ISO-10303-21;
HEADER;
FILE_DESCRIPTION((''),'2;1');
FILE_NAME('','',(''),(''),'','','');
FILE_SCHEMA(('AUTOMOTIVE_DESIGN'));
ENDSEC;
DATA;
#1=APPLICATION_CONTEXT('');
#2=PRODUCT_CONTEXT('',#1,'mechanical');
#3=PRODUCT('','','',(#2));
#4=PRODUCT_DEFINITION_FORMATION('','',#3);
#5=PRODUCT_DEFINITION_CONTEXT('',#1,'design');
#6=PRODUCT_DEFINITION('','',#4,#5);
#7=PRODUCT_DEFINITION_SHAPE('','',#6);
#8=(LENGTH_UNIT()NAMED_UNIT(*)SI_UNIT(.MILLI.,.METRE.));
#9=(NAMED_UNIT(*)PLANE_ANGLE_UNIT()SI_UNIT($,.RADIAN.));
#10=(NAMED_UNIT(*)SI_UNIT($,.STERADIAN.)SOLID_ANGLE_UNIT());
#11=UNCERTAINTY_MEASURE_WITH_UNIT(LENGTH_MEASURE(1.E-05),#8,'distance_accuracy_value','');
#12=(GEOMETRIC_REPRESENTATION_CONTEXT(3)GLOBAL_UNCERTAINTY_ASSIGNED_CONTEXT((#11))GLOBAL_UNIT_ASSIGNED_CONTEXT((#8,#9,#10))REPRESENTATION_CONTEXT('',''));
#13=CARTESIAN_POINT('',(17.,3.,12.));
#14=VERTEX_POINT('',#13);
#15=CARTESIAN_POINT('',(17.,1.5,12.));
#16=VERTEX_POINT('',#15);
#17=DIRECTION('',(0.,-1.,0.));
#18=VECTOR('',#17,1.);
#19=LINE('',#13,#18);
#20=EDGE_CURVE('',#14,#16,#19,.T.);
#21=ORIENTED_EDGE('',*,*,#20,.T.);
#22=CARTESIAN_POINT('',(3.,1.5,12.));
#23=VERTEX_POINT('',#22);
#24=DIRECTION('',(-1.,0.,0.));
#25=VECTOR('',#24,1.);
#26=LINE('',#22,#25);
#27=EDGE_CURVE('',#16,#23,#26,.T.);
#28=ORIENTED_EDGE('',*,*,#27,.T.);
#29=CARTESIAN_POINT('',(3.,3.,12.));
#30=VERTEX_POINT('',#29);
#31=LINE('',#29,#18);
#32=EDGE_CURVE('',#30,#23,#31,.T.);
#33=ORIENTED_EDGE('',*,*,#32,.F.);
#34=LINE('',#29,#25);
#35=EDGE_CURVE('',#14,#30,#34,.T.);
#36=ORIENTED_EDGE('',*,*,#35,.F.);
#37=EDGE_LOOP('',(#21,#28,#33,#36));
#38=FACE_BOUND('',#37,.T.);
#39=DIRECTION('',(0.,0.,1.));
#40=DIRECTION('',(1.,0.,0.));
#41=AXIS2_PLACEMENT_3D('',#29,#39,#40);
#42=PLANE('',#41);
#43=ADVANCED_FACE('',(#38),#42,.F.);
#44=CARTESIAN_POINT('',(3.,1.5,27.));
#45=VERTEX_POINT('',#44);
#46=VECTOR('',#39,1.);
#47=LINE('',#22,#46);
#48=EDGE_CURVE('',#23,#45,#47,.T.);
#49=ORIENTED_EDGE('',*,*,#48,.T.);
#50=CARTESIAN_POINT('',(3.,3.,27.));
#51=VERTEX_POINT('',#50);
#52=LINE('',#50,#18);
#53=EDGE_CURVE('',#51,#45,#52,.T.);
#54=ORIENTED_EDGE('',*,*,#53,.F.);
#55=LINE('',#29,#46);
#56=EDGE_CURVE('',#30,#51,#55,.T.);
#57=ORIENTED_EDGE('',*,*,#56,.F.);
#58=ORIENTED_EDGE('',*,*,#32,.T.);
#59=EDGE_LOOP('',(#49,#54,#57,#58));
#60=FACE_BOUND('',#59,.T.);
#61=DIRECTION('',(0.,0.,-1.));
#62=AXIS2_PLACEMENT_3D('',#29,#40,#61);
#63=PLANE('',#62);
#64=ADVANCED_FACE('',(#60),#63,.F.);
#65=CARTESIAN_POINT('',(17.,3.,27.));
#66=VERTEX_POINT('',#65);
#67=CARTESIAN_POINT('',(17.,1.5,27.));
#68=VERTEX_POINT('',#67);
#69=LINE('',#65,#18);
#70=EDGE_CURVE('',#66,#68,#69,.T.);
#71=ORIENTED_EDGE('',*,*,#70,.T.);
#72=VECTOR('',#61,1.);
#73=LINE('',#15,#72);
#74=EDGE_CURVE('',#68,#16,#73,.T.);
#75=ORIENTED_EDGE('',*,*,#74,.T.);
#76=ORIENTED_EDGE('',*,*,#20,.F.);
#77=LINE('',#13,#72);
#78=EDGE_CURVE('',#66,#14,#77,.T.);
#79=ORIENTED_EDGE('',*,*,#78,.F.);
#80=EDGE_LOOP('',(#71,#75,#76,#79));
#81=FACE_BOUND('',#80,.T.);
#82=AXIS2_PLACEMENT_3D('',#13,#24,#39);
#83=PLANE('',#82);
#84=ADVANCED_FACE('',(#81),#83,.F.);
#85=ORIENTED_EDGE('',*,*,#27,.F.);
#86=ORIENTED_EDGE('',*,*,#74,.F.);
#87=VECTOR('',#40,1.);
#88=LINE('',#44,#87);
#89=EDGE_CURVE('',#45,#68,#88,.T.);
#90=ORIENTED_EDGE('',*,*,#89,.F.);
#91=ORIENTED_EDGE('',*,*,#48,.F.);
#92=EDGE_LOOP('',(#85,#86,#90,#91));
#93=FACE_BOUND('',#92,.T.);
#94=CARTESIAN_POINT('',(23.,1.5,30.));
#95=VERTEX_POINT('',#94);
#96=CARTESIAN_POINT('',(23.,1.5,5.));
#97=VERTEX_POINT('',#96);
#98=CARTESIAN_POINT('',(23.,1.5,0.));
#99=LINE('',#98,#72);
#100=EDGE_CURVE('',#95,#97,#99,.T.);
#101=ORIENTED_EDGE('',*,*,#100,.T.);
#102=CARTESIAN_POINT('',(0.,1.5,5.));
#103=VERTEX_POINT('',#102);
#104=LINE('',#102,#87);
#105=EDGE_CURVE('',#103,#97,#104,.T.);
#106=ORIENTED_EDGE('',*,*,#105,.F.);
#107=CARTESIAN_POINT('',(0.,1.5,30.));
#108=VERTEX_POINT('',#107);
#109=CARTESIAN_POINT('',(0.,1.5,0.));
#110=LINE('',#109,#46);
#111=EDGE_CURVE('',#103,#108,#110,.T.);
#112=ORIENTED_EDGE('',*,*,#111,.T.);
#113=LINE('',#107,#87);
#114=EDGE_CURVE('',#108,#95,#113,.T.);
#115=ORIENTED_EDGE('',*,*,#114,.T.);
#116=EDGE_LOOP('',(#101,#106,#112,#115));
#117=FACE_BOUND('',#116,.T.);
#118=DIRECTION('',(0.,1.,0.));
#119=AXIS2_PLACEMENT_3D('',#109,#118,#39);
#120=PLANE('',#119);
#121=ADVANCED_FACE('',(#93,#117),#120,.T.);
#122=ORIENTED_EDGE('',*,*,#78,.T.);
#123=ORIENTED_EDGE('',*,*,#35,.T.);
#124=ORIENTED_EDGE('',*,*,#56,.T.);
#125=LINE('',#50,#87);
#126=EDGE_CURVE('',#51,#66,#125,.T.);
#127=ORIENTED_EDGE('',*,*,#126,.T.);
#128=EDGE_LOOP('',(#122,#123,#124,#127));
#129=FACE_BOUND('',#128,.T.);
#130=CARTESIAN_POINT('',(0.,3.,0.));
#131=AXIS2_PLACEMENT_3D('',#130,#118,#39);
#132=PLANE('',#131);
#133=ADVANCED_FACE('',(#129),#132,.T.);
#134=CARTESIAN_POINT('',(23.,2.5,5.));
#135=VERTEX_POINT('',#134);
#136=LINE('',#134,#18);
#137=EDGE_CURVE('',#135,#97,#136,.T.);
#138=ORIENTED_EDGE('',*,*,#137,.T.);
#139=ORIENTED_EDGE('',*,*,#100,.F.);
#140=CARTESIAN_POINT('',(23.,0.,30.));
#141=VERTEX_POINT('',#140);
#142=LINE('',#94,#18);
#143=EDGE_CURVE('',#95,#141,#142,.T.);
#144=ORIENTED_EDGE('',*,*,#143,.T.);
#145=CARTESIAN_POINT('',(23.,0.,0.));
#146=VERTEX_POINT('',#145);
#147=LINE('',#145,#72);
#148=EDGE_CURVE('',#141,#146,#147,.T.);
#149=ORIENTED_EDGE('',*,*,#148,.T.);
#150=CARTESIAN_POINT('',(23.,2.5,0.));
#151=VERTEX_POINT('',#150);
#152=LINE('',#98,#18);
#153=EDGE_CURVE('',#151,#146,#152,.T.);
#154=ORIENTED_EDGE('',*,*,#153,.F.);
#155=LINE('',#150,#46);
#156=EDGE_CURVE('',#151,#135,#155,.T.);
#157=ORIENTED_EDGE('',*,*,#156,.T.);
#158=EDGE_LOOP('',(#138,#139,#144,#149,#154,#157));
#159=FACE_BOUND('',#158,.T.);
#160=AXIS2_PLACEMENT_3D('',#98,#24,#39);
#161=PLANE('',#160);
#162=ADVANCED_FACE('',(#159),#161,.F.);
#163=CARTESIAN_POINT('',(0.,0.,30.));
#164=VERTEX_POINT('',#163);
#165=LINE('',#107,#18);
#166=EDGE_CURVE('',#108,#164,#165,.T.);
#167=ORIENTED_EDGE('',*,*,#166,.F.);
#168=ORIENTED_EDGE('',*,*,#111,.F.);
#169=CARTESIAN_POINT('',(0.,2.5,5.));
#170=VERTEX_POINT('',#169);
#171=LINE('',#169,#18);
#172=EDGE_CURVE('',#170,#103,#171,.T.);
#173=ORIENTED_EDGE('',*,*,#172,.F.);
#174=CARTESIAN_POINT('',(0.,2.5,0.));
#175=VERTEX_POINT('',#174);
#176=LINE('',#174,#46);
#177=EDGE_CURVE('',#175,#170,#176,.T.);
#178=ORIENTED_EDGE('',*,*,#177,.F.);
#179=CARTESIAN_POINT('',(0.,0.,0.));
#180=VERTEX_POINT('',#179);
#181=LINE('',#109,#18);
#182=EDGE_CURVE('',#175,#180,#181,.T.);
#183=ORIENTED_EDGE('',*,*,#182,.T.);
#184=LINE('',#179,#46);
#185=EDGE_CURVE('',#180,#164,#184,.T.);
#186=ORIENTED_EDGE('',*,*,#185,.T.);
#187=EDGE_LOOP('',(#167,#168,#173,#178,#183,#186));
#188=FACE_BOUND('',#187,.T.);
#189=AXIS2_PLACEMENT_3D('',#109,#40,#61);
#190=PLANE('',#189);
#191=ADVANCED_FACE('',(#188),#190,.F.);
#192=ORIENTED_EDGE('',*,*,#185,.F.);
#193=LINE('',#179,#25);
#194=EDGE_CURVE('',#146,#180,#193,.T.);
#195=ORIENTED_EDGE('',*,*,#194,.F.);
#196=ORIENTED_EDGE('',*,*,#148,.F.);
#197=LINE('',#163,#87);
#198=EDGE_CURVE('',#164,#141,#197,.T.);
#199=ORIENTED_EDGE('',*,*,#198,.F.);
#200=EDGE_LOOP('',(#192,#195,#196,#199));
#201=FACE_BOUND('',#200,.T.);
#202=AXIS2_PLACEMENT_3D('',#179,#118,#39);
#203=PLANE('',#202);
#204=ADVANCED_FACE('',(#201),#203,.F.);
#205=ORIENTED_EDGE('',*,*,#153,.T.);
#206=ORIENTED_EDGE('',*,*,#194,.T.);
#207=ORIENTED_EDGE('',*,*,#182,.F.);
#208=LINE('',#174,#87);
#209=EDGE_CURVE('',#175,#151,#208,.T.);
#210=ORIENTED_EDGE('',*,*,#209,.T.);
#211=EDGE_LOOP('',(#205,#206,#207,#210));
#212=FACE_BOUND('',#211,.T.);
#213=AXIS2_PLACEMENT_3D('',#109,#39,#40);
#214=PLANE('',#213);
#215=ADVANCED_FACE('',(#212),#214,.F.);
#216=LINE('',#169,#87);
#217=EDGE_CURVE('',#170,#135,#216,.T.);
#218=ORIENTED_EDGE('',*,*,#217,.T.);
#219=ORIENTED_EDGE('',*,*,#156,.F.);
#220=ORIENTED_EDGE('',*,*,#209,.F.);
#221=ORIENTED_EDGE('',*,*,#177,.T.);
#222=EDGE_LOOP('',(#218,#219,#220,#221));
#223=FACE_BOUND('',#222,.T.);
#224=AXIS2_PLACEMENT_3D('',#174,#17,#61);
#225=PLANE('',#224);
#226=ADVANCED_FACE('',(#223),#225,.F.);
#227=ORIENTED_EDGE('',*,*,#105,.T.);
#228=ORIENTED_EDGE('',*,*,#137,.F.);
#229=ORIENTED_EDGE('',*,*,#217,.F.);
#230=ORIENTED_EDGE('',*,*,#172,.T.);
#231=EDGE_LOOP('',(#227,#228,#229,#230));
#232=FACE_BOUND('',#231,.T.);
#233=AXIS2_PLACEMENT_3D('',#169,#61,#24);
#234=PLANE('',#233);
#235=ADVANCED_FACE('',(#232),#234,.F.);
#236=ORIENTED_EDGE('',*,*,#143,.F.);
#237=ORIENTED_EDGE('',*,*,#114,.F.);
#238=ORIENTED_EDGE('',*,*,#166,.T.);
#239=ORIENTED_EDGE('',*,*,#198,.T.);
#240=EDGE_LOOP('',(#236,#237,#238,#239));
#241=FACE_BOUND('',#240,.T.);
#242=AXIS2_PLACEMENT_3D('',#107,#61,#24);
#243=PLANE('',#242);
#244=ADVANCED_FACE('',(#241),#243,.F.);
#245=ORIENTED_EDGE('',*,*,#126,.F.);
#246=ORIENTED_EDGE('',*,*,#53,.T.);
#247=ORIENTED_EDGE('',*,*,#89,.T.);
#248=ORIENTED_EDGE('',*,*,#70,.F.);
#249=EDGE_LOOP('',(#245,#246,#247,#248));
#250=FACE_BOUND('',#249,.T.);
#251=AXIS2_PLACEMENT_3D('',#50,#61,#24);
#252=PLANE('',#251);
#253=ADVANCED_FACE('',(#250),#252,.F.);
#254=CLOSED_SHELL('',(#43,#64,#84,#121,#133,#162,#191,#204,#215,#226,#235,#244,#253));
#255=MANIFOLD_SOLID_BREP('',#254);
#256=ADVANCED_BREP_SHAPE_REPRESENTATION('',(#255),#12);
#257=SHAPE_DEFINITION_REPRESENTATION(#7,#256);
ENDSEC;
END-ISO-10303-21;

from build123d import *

# Parameters (mm, degrees)
SKETCH_1_W      = 23
SKETCH_1_H      = 30
EXTRUDE_1_DEPTH = 1.5
SKETCH_2_W      = 14
SKETCH_2_H      = 15
EXTRUDE_2_DEPTH = 1.5
SKETCH_3_W      = 23
SKETCH_3_H      = 5
EXTRUDE_3_DEPTH = 1


with BuildPart() as part:
    # Эскиз1 → Бобышка-Вытянуть1 (new body)
    with BuildSketch(Plane(origin=(0, 0, 0), x_dir=(1, 0, 0), z_dir=(0, 1, 0))):
        with Locations((11.5, -15)):
            Rectangle(SKETCH_1_W, SKETCH_1_H)
    extrude(amount=EXTRUDE_1_DEPTH)

    # Эскиз2 → Бобышка-Вытянуть2 (add)
    with BuildSketch(Plane(origin=(0, 1.5, 0), x_dir=(1, 0, 0), z_dir=(0, 1, 0))):
        with Locations((10, -19.5)):
            Rectangle(SKETCH_2_W, SKETCH_2_H)
    extrude(amount=EXTRUDE_2_DEPTH)

    # Эскиз3 → Бобышка-Вытянуть3 (add)
    with BuildSketch(Plane(origin=(0, 1.5, 0), x_dir=(1, 0, 0), z_dir=(0, 1, 0))):
        with Locations((11.5, -2.5)):
            Rectangle(SKETCH_3_W, SKETCH_3_H)
    extrude(amount=EXTRUDE_3_DEPTH)


solid = part.part
